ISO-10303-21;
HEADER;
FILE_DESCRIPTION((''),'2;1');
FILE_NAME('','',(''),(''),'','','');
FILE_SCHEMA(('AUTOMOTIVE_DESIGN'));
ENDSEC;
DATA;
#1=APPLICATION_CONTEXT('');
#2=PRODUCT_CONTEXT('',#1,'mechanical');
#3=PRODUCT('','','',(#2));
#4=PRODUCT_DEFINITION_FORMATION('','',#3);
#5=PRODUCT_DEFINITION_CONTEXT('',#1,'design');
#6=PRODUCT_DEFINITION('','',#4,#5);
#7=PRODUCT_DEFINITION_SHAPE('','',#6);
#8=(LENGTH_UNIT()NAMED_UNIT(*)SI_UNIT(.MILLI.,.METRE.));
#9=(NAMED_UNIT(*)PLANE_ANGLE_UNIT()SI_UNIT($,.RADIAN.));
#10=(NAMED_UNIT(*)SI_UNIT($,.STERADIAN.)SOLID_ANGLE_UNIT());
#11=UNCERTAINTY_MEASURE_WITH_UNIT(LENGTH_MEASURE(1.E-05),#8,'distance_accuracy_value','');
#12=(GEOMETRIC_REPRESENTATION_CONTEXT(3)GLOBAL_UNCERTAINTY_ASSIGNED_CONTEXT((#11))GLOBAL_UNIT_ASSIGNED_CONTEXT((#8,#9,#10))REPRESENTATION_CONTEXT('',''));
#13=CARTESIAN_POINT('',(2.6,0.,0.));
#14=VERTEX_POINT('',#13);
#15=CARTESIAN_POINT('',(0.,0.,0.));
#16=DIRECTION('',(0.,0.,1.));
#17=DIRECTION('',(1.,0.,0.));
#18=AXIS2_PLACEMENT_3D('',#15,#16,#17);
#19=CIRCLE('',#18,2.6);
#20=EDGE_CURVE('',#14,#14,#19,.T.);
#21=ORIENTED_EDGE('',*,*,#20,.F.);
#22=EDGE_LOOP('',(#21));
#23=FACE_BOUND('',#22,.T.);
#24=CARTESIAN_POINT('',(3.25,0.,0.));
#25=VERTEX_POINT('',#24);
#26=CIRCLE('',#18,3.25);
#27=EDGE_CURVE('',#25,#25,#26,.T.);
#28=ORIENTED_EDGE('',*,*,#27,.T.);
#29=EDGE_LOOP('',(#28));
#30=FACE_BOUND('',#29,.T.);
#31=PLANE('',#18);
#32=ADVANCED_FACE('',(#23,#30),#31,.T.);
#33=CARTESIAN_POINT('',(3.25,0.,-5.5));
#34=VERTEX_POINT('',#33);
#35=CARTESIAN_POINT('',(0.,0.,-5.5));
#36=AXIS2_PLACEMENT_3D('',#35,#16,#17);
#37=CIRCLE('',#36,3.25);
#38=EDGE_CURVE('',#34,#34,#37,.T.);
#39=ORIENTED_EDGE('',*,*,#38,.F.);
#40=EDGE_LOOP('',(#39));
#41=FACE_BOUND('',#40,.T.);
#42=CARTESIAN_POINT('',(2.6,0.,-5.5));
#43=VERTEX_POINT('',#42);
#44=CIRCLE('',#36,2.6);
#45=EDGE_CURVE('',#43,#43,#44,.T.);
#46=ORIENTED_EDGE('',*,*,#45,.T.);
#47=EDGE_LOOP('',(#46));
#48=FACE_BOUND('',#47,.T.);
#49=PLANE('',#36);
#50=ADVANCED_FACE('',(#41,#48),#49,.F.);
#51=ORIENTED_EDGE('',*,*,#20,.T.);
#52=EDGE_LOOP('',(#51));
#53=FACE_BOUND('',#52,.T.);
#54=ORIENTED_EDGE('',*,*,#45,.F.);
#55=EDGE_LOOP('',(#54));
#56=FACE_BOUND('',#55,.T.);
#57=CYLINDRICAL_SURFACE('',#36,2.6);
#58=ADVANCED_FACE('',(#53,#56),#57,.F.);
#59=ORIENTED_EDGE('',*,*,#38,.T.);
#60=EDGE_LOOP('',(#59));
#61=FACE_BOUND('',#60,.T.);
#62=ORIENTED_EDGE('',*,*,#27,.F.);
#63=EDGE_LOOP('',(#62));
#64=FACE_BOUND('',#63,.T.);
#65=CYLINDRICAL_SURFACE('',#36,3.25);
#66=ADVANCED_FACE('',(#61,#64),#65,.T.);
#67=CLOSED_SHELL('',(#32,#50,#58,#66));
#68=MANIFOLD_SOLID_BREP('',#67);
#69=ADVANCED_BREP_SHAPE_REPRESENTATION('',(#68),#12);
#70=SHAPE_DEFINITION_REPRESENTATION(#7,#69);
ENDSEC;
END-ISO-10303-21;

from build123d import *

# Parameters (mm, degrees)
CROQUIS1_R              = 3.25
CROQUIS1_R_2            = 2.6
SALIENTE_EXTRUIR1_DEPTH = 5.5


with BuildPart() as part:
    # Croquis1 → Saliente-Extruir1 (new body)
    with BuildSketch(Plane.XY):
        Circle(CROQUIS1_R)
        Circle(CROQUIS1_R_2, mode=Mode.SUBTRACT)
    extrude(amount=-SALIENTE_EXTRUIR1_DEPTH)


solid = part.part
